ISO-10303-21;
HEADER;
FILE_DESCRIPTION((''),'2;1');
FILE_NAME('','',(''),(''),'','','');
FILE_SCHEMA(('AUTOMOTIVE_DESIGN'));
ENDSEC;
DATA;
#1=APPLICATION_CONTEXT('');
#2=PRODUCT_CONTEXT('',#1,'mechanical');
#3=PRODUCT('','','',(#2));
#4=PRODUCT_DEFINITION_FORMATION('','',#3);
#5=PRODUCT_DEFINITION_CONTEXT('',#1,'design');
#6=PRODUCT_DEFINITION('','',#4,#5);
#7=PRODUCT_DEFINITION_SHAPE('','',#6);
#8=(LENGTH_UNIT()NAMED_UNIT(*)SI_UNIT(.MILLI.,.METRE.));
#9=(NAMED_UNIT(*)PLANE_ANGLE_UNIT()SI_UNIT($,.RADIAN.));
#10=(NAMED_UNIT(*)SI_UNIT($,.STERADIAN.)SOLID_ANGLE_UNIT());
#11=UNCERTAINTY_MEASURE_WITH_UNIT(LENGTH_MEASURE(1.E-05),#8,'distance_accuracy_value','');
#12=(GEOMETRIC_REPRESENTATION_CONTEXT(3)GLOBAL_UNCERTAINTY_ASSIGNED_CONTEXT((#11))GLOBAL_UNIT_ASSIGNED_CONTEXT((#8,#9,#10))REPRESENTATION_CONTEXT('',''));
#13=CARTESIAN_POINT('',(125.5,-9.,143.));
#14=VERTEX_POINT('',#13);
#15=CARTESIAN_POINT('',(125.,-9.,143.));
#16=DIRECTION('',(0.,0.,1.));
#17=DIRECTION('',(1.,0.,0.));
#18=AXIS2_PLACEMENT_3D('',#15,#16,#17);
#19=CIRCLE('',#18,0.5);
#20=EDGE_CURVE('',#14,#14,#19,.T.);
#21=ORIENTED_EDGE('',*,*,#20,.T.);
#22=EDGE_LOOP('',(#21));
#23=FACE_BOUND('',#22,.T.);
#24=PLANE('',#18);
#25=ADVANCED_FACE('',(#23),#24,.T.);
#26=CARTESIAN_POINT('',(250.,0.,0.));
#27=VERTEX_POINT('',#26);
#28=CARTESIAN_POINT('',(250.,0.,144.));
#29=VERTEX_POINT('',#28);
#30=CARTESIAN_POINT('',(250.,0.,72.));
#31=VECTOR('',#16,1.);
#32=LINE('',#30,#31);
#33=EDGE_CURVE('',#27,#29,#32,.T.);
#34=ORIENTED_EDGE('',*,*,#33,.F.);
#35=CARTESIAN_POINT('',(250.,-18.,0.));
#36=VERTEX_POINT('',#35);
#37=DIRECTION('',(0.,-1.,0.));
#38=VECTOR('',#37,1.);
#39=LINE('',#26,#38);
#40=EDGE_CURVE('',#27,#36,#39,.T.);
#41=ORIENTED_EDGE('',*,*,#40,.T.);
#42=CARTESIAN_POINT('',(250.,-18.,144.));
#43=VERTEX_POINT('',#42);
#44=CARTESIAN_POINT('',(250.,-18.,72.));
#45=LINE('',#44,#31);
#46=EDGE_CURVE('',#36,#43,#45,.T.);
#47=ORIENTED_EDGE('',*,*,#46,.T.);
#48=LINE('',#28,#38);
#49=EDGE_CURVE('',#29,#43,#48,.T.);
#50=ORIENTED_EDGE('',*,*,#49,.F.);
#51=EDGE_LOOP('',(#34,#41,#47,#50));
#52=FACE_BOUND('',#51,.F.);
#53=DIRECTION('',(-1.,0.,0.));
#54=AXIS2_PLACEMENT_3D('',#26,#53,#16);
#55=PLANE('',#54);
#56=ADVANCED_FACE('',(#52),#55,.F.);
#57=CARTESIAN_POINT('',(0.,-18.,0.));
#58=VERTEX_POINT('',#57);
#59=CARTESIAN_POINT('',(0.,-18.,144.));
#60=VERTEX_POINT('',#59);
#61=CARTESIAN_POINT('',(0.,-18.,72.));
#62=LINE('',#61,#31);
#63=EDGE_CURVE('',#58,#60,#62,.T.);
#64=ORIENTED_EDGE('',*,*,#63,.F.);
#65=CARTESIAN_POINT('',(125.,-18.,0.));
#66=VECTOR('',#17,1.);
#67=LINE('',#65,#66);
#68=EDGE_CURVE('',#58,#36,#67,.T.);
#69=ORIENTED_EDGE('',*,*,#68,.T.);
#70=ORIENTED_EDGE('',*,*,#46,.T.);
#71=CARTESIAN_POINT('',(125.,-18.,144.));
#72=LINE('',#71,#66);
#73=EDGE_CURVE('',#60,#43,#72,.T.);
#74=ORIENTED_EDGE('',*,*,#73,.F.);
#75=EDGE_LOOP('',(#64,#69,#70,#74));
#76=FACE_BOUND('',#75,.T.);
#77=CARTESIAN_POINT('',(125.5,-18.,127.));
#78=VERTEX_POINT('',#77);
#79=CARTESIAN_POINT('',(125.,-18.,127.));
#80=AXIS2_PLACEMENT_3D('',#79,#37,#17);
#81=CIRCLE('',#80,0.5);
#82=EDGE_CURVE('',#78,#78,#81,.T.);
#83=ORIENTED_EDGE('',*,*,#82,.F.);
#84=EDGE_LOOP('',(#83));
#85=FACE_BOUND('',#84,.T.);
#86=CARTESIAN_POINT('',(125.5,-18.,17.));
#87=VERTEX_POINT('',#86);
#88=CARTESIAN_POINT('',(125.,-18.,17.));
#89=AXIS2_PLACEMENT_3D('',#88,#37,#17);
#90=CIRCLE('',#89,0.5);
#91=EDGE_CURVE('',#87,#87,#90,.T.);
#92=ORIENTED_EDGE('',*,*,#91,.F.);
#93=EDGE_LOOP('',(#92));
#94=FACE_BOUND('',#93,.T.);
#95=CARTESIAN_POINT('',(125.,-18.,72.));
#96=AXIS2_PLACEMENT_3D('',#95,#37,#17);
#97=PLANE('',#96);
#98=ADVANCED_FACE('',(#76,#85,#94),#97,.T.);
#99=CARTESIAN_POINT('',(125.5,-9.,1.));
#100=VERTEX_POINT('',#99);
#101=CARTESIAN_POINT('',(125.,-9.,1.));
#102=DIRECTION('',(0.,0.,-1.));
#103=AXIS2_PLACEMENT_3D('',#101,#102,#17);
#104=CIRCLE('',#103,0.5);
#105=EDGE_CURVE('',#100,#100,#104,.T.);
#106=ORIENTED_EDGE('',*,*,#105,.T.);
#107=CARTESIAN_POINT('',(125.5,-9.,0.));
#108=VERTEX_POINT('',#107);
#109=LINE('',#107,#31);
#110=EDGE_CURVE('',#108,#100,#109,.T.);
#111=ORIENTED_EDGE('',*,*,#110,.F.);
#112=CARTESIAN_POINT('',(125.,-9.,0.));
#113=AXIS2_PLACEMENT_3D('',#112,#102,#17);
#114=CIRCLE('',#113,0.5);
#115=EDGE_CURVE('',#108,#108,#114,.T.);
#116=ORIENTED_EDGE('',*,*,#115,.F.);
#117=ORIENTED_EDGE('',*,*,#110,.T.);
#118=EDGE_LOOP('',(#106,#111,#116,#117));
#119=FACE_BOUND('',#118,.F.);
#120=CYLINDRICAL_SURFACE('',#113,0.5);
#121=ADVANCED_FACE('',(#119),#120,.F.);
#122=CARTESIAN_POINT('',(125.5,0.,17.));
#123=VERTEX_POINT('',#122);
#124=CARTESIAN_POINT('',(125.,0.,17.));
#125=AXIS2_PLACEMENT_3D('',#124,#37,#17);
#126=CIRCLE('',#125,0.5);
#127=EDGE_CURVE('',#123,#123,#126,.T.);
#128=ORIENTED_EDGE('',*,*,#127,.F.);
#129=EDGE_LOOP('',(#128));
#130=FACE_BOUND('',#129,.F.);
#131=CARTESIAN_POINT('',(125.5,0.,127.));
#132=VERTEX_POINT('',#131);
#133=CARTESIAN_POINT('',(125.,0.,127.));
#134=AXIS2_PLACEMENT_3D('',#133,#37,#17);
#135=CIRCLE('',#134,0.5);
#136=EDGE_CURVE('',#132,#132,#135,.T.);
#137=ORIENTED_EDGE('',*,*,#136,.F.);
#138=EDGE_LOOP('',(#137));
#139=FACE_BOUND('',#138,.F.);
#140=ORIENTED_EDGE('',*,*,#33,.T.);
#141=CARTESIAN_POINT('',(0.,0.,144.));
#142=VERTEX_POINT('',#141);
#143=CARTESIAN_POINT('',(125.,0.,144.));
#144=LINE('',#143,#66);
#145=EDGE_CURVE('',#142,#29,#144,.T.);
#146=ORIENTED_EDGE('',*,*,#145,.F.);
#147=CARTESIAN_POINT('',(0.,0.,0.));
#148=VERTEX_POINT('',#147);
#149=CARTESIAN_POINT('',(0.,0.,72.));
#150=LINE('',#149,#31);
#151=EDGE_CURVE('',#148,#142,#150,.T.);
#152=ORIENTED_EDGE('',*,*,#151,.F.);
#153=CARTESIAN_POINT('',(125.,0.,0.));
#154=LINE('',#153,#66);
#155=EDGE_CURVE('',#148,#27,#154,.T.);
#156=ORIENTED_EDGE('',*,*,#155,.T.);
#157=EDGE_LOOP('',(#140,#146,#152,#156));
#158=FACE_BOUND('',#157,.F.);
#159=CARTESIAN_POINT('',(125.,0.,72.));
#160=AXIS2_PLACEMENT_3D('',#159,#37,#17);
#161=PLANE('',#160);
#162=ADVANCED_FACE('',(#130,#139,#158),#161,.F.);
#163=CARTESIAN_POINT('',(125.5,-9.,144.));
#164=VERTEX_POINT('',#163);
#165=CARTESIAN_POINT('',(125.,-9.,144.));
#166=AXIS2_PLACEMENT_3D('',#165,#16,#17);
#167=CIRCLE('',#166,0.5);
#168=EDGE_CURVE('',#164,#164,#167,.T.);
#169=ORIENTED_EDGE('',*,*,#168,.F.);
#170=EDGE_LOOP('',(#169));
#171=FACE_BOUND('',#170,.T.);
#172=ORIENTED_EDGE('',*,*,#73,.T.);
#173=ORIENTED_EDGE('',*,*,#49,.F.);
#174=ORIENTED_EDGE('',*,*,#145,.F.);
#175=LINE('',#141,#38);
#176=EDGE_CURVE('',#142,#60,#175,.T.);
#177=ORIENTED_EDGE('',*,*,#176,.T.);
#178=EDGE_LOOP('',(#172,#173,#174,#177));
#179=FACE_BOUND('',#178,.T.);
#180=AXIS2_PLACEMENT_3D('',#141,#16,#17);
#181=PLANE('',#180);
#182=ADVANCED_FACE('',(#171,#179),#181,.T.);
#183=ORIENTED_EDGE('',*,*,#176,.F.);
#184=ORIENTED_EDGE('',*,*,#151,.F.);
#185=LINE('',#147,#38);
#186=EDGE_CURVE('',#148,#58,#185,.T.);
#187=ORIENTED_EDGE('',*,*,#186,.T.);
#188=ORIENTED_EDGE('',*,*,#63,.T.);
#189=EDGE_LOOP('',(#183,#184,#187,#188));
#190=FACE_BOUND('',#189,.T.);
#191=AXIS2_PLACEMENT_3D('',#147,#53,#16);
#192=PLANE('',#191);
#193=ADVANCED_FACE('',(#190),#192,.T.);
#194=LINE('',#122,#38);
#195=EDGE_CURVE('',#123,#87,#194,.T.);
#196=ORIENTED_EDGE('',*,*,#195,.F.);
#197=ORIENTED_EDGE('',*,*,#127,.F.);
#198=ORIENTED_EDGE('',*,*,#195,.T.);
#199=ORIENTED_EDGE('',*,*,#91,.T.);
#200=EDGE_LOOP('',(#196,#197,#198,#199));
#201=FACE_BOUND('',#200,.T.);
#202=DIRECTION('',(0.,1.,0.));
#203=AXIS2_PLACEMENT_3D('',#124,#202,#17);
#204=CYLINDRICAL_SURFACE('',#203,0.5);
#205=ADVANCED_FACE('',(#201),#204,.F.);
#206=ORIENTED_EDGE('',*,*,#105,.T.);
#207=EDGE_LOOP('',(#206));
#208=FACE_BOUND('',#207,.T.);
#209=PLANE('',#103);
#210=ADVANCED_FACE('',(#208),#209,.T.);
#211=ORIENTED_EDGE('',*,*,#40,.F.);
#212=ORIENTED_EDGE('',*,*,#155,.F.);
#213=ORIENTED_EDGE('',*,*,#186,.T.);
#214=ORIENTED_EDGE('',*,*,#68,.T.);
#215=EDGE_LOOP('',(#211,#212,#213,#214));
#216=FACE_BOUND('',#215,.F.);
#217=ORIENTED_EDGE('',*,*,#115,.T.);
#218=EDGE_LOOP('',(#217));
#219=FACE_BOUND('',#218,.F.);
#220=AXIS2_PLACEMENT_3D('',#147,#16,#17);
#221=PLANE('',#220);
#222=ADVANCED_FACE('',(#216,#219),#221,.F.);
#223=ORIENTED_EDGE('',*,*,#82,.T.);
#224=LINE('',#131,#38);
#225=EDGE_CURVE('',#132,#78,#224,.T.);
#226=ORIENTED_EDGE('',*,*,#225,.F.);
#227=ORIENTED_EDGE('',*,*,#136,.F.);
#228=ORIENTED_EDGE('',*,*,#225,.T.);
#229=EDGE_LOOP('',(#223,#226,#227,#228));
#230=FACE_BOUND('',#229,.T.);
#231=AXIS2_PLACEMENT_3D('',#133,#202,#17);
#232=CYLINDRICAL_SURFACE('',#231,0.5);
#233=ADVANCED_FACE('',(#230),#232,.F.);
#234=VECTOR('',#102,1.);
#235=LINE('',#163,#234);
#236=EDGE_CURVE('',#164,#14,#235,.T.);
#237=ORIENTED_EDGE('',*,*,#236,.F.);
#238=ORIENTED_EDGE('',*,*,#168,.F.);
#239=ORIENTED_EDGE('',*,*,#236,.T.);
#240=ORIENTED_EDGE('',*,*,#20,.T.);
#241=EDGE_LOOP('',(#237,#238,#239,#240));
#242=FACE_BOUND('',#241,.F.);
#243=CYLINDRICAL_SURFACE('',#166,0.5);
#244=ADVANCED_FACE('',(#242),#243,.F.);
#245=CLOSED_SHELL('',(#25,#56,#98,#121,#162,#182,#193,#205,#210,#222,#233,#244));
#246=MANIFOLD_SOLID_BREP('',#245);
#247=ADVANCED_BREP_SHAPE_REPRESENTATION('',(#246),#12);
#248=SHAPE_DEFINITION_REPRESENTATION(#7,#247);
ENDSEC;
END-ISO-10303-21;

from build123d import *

# Parameters (mm, degrees)
F0_W     = 250
F0_H     = 144
F0_R     = 0.5
F1_DEPTH = 18
F2_R     = 0.5
F3_DEPTH = 1
F4_R     = 0.5
F5_DEPTH = 1


with BuildPart() as f1:
    # F0 (on Front) → F1 (new body)
    with BuildSketch(Plane.XZ):
        with Locations((125, 72)):
            Rectangle(F0_W, F0_H)
        with Locations((125, 17)):
            Circle(F0_R, mode=Mode.SUBTRACT)
        with Locations((125, 127)):
            Circle(F0_R, mode=Mode.SUBTRACT)
    extrude(amount=F1_DEPTH)

    # F2 (on face) → F3 (cut)
    with BuildSketch(Plane(origin=(0, 0, 0), x_dir=(1, 0, 0), z_dir=(0, 0, -1))):
        with Locations((125, 9)):
            Circle(F2_R)
    extrude(amount=-F3_DEPTH, mode=Mode.SUBTRACT)

    # F4 (on face) → F5 (cut)
    with BuildSketch(Plane.XY.offset(144)):
        with Locations((125, -9)):
            Circle(F4_R)
    extrude(amount=-F5_DEPTH, mode=Mode.SUBTRACT)


solid = f1.part
